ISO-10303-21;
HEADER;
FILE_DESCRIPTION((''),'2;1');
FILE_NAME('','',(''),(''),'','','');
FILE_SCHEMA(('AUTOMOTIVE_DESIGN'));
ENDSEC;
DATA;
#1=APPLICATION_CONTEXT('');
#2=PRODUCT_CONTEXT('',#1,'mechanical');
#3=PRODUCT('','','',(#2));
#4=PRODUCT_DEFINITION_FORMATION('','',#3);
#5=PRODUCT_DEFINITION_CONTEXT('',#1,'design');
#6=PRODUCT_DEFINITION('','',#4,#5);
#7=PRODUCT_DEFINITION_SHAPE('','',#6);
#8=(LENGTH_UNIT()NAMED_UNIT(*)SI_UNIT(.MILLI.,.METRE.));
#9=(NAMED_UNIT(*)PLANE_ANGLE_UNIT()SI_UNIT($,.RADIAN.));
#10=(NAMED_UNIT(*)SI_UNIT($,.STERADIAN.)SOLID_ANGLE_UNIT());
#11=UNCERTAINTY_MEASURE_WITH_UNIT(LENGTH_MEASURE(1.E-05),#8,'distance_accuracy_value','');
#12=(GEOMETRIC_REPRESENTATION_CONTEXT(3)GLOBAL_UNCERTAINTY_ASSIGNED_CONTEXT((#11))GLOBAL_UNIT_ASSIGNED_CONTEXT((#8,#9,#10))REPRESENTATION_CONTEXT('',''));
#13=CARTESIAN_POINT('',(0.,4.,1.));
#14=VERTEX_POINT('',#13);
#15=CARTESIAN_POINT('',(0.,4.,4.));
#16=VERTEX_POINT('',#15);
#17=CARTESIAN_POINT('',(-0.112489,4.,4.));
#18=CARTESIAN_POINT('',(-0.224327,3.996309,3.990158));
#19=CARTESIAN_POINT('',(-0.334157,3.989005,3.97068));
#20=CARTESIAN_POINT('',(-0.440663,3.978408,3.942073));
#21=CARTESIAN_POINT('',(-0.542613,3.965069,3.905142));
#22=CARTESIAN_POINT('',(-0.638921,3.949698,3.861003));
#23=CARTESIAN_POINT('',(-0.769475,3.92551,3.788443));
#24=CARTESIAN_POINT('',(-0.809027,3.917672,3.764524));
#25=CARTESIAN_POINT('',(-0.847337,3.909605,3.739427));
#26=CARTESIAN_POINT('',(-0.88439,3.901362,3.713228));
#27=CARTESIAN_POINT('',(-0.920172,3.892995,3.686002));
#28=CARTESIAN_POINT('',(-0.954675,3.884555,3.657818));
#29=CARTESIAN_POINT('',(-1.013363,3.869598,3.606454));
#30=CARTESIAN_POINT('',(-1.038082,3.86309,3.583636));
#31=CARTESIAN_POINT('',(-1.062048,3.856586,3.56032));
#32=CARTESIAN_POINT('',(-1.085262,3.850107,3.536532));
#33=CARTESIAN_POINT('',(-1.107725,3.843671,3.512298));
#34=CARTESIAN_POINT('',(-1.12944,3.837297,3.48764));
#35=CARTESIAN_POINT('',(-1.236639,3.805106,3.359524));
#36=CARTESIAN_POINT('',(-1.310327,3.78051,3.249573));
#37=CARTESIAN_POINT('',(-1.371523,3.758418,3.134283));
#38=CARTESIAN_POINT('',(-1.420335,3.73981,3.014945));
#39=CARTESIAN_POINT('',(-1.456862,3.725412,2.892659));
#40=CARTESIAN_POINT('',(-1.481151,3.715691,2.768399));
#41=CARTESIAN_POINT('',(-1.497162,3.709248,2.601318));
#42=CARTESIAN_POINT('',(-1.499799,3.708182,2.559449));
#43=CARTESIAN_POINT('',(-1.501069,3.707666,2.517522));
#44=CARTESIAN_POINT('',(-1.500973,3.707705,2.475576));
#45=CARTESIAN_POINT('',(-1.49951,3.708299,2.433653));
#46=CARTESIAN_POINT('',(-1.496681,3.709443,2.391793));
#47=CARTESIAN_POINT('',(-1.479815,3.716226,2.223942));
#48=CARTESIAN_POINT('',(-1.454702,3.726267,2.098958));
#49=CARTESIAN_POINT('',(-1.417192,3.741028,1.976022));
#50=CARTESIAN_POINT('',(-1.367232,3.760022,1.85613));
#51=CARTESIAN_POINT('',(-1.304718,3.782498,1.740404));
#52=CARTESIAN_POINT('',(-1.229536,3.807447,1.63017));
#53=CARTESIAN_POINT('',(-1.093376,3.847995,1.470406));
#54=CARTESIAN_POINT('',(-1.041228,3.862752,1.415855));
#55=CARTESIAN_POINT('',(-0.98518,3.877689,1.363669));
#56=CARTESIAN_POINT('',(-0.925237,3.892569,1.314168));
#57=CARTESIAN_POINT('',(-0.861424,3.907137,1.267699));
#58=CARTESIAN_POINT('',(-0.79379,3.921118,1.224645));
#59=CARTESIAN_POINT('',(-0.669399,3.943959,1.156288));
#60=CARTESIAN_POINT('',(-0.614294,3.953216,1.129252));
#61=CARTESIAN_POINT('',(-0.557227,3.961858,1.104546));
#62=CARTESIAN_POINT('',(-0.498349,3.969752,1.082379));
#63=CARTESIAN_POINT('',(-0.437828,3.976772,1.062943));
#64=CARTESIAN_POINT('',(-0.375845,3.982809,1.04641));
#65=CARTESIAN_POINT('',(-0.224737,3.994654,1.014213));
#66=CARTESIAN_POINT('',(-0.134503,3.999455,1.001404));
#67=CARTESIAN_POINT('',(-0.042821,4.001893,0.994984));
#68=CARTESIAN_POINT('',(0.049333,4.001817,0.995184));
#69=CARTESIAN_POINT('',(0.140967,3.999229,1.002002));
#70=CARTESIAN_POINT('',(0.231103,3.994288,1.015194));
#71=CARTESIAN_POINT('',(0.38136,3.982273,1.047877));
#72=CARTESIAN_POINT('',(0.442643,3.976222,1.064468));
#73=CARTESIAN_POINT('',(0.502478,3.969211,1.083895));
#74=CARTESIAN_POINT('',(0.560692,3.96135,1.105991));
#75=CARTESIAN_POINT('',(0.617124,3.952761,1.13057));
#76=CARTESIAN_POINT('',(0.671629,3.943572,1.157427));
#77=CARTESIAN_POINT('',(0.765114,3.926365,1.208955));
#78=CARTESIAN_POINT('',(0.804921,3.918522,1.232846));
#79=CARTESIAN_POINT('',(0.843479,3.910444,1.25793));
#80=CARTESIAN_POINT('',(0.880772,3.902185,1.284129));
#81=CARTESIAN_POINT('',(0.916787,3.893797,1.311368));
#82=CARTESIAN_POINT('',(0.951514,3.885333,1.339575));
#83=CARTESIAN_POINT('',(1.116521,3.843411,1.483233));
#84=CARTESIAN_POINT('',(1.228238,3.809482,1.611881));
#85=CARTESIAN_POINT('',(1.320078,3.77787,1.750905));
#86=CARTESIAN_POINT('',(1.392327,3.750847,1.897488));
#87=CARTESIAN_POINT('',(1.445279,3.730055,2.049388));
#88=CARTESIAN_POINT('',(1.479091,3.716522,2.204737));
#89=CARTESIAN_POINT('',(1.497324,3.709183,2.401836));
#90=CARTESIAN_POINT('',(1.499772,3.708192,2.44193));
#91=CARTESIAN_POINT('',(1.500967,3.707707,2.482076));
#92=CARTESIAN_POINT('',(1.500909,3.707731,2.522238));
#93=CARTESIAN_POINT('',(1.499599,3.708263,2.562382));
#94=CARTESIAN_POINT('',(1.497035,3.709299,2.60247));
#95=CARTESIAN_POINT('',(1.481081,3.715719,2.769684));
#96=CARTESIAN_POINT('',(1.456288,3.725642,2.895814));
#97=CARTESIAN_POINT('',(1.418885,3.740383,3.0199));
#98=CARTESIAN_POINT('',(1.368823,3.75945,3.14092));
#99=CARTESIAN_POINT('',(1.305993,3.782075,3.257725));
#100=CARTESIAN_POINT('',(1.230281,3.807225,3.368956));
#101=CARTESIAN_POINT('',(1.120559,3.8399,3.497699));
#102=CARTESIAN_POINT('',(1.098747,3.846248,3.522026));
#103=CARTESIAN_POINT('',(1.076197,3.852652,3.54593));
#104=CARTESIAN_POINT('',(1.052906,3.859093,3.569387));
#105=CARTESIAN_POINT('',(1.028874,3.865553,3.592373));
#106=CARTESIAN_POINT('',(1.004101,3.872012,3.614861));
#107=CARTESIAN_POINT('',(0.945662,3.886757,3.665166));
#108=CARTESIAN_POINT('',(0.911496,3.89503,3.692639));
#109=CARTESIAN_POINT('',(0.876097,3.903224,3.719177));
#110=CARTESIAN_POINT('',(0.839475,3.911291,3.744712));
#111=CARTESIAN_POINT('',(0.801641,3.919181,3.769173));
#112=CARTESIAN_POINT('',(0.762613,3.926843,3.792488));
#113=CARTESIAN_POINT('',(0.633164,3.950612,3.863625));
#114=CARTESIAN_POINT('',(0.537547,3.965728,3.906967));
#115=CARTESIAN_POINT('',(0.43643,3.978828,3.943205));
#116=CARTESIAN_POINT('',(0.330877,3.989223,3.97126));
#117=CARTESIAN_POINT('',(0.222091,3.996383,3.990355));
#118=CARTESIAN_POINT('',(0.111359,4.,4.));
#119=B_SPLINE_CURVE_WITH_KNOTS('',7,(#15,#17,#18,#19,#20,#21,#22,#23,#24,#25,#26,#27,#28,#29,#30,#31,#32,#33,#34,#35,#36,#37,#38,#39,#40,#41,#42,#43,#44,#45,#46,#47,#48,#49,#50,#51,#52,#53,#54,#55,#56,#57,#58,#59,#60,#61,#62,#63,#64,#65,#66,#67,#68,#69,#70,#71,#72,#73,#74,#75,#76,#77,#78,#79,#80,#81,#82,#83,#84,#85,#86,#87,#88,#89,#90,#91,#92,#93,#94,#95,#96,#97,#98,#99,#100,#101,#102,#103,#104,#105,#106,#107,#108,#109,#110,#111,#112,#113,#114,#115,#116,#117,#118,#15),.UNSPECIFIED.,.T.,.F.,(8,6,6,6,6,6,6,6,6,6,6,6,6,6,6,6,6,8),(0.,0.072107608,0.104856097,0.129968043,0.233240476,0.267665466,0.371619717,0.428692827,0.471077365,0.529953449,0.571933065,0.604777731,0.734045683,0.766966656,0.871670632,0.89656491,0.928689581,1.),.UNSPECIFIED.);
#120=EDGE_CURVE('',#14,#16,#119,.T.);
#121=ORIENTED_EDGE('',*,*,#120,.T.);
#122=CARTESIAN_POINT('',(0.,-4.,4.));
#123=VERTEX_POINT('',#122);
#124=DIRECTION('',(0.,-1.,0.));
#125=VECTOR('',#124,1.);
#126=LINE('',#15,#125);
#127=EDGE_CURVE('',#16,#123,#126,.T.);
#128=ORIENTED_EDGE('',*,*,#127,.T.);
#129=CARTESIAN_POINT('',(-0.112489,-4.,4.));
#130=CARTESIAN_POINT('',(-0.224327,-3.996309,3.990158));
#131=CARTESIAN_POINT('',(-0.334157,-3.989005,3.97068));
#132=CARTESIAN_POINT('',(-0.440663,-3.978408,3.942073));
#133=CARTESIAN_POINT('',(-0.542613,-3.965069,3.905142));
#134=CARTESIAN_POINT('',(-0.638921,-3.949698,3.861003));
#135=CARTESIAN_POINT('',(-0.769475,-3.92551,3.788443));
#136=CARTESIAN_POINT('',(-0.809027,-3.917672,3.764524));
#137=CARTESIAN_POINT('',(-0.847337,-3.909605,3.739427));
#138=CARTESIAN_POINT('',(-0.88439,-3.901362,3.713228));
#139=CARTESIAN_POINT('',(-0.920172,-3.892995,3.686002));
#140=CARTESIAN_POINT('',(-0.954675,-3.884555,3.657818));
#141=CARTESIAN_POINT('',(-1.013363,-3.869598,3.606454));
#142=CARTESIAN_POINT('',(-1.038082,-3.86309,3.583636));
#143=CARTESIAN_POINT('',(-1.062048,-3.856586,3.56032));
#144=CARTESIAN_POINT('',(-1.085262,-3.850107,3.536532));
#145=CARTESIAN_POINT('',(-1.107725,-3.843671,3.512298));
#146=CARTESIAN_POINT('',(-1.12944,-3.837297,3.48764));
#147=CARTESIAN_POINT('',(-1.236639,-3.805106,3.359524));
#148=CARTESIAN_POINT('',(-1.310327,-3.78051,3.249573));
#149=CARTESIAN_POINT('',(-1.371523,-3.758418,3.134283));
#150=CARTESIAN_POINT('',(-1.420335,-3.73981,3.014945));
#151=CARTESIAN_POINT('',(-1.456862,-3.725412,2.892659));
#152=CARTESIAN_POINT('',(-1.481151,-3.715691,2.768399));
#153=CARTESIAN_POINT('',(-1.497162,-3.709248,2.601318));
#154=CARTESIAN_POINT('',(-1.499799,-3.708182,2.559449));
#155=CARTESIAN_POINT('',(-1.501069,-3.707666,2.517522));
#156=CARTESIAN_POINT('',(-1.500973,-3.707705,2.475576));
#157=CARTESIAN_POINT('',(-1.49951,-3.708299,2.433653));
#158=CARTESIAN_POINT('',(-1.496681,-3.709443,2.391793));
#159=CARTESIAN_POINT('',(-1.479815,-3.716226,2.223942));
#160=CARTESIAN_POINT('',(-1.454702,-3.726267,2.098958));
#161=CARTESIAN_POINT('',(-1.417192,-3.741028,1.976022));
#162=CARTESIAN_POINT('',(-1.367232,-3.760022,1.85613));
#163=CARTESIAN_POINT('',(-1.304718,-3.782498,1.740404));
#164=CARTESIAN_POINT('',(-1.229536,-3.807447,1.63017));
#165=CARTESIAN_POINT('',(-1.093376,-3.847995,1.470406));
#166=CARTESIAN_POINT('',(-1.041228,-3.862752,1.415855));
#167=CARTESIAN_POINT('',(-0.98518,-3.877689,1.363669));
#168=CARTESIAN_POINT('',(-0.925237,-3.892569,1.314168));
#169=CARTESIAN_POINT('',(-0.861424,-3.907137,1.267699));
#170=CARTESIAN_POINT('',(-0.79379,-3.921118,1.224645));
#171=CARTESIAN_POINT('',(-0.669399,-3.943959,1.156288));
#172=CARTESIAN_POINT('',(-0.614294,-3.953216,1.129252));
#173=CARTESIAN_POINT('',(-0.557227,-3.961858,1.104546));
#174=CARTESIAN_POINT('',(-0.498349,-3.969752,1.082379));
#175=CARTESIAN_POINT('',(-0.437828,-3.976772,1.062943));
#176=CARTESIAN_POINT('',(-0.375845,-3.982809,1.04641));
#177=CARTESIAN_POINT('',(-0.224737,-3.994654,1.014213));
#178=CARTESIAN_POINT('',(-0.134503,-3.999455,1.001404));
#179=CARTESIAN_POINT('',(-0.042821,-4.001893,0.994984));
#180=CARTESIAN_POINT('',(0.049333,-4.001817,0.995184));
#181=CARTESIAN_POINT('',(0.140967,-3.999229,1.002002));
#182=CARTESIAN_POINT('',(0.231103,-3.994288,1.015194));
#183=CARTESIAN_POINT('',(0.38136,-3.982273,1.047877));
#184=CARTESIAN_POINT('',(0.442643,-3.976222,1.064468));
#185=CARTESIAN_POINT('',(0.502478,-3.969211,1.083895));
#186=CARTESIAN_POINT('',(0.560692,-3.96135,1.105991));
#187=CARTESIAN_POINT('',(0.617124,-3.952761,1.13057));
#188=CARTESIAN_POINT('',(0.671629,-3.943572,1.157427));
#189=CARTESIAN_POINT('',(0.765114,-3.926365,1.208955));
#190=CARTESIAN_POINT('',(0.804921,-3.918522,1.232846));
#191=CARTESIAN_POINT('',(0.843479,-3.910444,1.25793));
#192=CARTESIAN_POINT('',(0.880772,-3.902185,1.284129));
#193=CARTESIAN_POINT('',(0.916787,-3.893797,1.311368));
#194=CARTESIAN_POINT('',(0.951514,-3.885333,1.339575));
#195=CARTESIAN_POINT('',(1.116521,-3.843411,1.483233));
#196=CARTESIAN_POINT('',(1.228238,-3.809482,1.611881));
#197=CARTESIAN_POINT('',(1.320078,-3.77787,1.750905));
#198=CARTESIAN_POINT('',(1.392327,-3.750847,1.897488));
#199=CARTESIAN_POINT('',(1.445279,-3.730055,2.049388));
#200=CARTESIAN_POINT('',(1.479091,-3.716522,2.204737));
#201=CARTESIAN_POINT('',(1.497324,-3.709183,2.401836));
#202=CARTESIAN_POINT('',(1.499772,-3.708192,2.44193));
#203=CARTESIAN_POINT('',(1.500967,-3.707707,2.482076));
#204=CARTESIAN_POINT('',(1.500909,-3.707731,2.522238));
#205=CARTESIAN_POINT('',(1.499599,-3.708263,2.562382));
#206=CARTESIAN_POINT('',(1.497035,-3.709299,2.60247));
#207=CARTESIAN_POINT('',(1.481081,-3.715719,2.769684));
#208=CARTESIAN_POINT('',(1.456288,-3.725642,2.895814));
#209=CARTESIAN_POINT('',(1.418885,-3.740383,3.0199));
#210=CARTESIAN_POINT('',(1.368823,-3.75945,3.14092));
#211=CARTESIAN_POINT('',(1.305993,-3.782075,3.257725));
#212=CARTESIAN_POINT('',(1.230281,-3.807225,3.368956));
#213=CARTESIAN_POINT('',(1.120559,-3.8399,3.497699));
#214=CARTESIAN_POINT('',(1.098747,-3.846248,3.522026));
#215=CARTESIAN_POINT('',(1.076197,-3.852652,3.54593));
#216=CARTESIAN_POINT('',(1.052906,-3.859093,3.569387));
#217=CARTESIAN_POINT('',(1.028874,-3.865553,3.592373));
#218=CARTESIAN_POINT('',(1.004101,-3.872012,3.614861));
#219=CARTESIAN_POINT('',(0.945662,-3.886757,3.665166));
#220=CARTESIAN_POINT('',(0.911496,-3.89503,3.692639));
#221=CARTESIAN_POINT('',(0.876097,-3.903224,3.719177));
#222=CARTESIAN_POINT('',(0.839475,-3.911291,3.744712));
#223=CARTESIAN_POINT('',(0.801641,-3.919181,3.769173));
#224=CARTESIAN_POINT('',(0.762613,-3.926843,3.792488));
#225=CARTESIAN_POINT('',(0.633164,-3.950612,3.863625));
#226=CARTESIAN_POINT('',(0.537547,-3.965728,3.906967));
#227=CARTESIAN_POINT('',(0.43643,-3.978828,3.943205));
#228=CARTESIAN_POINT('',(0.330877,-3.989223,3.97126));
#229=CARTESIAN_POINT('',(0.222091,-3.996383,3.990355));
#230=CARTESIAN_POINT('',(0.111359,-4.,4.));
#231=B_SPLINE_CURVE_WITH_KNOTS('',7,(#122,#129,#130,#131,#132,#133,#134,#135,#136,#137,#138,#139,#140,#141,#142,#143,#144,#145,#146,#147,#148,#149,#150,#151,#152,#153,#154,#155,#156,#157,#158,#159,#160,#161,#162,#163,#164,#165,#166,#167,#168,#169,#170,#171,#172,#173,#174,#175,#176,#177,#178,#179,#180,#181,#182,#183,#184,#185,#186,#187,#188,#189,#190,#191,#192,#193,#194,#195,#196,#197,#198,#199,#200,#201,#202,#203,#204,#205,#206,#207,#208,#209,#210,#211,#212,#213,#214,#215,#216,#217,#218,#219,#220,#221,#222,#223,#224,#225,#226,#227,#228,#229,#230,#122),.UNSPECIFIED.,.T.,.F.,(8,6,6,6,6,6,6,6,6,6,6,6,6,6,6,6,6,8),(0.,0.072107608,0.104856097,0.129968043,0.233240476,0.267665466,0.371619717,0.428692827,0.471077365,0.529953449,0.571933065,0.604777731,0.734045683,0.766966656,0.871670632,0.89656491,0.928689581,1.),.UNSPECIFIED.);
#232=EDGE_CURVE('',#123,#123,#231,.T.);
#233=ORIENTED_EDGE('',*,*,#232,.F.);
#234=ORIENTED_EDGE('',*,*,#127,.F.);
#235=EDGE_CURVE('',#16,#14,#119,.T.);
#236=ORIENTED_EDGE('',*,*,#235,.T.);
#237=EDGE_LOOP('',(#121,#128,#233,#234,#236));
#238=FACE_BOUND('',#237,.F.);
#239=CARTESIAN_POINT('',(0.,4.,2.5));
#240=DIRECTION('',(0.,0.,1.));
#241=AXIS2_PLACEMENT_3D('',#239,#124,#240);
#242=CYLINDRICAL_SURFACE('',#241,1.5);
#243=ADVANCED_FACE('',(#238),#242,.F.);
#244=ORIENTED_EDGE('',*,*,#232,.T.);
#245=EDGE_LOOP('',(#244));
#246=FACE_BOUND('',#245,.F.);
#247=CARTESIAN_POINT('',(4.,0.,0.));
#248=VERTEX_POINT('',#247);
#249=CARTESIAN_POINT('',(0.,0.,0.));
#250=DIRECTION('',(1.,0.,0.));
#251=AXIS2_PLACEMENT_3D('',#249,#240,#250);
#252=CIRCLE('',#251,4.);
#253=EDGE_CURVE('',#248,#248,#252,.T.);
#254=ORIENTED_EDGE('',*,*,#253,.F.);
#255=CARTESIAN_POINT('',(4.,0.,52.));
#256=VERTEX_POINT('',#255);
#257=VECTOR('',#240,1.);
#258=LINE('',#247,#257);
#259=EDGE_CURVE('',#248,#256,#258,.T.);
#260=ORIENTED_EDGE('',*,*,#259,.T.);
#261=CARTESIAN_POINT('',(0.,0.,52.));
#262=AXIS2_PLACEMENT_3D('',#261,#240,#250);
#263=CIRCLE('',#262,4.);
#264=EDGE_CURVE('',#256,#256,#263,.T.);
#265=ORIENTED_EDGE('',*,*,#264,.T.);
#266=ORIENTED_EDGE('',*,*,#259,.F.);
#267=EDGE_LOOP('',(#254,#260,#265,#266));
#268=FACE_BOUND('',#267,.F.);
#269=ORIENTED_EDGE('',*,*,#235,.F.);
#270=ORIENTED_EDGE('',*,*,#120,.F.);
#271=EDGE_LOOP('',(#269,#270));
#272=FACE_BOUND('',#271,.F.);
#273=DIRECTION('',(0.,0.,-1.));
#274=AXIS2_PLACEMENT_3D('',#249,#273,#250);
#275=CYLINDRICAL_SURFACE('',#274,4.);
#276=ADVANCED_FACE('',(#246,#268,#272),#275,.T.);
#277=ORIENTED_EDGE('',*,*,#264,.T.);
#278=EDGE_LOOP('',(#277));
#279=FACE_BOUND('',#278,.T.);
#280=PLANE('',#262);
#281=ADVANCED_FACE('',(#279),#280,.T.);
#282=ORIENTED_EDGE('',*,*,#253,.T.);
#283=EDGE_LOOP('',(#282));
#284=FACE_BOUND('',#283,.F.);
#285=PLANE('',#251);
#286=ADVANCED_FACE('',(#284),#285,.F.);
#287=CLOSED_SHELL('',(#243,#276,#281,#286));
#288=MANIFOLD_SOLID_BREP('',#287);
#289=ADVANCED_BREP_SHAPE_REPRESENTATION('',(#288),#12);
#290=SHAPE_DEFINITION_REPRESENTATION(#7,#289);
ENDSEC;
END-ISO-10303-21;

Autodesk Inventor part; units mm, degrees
ref_plane "YZ Plane" through (0, 0, 0) normal (1, 0, 0) x (0, 1, 0)
ref_plane "XY Plane" through (0, 0, 0) normal (0, 0, 1) x (1, 0, 0)
sketch "Sketch1" plane through (0, 0, 0) normal (0, 0, 1) x (1, 0, 0)
  circle A0 centre (0, 0) radius 4
  dimension "d0" = 8
extrude "Extrusion1" add sketch "Sketch1" along normal blind 52
ref_plane "Work Plane1" through (0, 4, 0) normal (0, 1, 0) x (-1, 0, 0)
sketch "Sketch2" plane through (0, 4, 0) normal (0, 1, 0) x (-1, 0, 0)
  point P0 (0, 0)
  point P1 (0, 2.5)
  dimension "d4" = 2.5
hole "Hole1" at (0, 4, 2.5) direction (0, -1, 0) diameter 3 end through all
properties part number "201 part  1" material "Aluminum 6061-AHC"
